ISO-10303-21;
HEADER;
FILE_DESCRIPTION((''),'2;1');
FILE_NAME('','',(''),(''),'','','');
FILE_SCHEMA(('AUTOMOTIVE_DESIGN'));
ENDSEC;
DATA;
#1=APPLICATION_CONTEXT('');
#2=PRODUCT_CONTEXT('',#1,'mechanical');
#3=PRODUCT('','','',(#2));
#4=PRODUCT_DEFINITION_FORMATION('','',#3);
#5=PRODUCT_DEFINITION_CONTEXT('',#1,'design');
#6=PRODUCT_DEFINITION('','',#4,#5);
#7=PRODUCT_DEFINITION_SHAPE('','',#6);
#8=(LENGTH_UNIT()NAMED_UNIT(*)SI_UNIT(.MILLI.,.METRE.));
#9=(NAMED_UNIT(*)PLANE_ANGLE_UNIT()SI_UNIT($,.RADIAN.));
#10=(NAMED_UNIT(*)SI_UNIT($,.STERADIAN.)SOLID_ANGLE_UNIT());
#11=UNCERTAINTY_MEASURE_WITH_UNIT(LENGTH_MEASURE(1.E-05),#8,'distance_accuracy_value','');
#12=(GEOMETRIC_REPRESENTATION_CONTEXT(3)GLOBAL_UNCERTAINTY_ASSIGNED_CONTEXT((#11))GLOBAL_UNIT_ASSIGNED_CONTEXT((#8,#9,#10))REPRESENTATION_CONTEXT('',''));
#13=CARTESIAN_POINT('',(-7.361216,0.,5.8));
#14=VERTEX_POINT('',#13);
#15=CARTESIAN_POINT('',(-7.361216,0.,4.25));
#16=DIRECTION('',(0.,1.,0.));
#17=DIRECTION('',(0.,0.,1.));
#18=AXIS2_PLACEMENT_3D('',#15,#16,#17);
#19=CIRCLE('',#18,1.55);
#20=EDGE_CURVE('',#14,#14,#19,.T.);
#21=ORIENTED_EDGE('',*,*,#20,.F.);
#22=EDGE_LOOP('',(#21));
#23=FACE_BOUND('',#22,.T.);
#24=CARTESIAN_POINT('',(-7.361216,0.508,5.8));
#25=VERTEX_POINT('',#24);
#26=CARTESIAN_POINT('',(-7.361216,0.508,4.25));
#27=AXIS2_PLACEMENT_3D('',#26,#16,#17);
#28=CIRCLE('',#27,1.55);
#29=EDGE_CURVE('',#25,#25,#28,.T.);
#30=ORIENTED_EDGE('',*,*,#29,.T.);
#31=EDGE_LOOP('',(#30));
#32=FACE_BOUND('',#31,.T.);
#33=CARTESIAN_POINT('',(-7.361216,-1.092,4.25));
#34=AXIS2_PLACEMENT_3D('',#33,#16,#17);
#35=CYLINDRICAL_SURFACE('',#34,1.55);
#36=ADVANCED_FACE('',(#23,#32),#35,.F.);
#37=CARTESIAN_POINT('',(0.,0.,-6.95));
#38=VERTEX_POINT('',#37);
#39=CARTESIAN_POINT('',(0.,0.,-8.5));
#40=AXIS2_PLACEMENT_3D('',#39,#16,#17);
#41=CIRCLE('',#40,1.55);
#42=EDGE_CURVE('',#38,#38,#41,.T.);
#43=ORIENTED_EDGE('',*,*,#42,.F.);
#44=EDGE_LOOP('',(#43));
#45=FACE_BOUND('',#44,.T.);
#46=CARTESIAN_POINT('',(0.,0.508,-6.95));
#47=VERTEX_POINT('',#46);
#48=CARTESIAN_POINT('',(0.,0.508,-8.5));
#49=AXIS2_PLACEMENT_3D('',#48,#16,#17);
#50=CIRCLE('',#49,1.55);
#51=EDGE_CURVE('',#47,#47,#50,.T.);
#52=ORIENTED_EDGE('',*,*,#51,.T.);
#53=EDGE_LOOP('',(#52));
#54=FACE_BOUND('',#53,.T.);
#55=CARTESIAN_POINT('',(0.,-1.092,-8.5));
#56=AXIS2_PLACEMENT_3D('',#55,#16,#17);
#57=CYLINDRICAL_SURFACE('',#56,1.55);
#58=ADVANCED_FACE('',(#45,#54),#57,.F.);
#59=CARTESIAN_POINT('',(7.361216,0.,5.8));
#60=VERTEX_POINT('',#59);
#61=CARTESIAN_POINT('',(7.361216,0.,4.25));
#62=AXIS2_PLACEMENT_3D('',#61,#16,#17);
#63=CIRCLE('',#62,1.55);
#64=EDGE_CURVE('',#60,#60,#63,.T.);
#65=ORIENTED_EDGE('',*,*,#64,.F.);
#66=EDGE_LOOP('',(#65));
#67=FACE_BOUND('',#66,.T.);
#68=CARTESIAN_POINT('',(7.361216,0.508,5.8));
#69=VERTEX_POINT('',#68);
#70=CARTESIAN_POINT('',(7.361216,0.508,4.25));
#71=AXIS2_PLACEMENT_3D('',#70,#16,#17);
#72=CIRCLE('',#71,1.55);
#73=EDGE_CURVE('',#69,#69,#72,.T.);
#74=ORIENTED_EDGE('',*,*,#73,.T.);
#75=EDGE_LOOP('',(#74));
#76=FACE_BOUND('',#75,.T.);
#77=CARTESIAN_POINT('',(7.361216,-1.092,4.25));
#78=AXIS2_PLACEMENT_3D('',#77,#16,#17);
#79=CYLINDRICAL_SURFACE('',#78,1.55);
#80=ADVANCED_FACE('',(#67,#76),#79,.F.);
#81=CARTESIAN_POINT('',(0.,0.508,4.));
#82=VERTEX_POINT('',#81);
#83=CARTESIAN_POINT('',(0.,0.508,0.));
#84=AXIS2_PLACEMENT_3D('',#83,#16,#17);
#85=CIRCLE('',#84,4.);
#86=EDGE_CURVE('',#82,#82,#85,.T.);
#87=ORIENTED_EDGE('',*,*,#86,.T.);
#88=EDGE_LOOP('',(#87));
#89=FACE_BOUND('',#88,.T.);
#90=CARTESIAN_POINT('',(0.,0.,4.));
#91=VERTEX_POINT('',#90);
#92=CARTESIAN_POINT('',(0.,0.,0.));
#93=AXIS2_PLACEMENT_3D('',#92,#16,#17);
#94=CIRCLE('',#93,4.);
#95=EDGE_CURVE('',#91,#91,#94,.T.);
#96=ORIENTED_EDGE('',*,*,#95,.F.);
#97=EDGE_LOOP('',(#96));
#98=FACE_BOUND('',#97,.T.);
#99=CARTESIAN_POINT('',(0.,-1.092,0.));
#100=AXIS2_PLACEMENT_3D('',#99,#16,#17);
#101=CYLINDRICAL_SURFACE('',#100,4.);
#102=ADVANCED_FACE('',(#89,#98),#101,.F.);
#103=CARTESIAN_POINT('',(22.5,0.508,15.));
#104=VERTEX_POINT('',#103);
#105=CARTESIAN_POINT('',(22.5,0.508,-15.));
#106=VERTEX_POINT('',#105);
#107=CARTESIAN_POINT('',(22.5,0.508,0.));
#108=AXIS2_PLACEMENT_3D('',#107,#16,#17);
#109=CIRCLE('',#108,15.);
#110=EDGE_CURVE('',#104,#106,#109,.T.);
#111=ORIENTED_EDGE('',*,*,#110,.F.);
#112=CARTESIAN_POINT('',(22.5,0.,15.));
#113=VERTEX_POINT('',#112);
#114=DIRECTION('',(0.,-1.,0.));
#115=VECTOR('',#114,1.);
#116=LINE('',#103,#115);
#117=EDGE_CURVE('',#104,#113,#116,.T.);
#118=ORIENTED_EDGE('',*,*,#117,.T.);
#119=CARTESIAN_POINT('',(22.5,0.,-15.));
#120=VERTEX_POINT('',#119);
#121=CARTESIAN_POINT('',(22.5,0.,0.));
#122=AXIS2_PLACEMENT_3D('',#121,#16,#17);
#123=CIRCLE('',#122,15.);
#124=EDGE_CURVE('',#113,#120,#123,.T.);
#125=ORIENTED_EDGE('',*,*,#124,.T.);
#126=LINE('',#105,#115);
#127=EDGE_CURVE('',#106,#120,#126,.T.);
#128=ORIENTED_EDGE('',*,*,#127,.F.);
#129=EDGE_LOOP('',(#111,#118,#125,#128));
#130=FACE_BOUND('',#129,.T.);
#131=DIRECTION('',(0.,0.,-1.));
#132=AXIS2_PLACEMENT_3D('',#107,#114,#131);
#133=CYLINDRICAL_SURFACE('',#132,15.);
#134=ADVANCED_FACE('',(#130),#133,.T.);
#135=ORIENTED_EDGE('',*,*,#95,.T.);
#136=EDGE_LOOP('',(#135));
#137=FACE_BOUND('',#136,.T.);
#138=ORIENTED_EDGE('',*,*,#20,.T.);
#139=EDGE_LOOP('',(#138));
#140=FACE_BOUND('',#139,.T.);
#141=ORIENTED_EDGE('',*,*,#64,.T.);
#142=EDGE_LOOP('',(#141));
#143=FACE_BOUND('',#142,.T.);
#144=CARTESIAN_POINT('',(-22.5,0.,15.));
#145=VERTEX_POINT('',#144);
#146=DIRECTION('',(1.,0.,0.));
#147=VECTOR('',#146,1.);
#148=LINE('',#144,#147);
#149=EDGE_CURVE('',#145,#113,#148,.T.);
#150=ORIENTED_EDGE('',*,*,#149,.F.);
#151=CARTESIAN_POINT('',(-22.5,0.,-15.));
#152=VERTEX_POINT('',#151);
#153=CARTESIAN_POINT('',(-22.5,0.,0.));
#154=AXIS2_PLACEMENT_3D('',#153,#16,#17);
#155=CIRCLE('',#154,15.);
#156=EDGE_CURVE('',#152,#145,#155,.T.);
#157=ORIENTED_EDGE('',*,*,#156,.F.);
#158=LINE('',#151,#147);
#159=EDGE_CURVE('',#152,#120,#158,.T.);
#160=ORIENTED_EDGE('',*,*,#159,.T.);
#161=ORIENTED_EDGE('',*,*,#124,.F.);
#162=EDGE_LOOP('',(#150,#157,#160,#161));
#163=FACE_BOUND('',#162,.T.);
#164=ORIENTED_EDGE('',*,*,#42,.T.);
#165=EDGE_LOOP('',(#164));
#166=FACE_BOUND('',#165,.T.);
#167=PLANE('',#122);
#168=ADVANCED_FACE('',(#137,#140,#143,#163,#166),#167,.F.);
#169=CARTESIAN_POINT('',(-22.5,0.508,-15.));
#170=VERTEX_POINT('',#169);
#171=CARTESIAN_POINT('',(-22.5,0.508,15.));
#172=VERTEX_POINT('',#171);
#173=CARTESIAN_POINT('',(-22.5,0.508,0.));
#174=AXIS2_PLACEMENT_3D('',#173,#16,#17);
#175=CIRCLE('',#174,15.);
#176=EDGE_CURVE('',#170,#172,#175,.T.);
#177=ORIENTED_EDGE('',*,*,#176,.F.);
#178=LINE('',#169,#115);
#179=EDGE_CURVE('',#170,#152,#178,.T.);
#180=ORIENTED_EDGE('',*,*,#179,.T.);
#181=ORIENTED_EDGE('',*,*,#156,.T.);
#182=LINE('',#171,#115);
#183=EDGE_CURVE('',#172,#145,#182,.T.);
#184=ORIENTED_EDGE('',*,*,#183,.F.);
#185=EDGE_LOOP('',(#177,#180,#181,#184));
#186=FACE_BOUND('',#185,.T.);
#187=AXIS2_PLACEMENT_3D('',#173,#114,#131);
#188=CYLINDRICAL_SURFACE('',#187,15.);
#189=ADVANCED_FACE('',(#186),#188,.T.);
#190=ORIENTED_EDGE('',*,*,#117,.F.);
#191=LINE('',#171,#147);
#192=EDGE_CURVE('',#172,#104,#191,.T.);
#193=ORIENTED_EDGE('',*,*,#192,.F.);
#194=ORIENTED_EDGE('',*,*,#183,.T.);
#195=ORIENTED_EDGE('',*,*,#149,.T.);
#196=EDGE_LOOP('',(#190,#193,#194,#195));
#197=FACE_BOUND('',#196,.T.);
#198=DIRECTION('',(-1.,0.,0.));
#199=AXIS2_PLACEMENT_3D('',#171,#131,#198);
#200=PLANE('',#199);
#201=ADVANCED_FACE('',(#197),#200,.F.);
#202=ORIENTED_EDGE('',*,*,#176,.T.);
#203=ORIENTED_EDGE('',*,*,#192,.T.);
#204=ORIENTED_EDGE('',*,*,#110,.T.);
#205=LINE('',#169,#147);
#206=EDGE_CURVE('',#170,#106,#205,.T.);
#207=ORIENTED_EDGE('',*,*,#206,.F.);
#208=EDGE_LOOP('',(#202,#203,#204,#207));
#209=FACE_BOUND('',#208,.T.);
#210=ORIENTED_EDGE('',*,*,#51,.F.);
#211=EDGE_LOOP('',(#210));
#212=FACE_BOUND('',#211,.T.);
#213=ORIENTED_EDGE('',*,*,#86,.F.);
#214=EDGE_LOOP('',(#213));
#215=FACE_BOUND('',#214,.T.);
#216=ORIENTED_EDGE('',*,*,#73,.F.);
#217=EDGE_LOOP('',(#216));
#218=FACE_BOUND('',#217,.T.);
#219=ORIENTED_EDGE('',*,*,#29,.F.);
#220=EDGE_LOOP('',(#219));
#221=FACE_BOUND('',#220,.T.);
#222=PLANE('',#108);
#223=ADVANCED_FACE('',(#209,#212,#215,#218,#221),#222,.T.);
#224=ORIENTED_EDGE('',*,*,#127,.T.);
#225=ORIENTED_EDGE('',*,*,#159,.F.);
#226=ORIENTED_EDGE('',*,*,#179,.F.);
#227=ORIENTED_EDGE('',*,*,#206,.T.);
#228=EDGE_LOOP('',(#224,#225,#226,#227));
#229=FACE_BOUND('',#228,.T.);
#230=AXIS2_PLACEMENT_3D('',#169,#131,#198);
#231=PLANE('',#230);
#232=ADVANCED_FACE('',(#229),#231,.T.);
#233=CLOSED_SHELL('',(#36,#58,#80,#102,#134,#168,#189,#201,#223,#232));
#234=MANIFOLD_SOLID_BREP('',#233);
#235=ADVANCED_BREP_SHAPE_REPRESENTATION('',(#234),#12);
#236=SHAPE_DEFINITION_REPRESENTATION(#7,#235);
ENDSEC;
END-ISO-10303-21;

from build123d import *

# Parameters (mm, degrees)
BOSS_EXTRUDE1_DEPTH = 0.508
SKETCH2_R           = 1.55
SKETCH2_R_2         = 4
CUT_EXTRUDE1_DEPTH  = 1.6


with BuildPart() as part:
    # Sketch1 → Boss-Extrude1 (new body)
    with BuildSketch(Plane(origin=(0, 0, 0), x_dir=(1, 0, 0), z_dir=(0, 1, 0))):
        with BuildLine():
            Line((-22.5, 15), (22.5, 15))
            ThreePointArc((22.5, 15), (37.5, 0), (22.5, -15))
            Line((22.5, -15), (-22.5, -15))
            ThreePointArc((-22.5, -15), (-37.5, 0), (-22.5, 15))
        make_face()
    extrude(amount=BOSS_EXTRUDE1_DEPTH)

    # Sketch2 → Cut-Extrude1 (cut)
    with BuildSketch(Plane(origin=(0, 0.508, 0), x_dir=(1, 0, 0), z_dir=(0, 1, 0))):
        with Locations(Location((0, 8.5, 0), (0, 0, 270))):
            Circle(SKETCH2_R)
        with Locations(Location((7.361215932, -4.25, 0), (0, 0, 270))):
            Circle(SKETCH2_R)
        with Locations(Location((-7.361215932, -4.25, 0), (0, 0, 270))):
            Circle(SKETCH2_R)
        with Locations(Location((0, 0, 0), (0, 0, 270))):
            Circle(SKETCH2_R_2)
    extrude(amount=-CUT_EXTRUDE1_DEPTH, mode=Mode.SUBTRACT)


solid = part.part
